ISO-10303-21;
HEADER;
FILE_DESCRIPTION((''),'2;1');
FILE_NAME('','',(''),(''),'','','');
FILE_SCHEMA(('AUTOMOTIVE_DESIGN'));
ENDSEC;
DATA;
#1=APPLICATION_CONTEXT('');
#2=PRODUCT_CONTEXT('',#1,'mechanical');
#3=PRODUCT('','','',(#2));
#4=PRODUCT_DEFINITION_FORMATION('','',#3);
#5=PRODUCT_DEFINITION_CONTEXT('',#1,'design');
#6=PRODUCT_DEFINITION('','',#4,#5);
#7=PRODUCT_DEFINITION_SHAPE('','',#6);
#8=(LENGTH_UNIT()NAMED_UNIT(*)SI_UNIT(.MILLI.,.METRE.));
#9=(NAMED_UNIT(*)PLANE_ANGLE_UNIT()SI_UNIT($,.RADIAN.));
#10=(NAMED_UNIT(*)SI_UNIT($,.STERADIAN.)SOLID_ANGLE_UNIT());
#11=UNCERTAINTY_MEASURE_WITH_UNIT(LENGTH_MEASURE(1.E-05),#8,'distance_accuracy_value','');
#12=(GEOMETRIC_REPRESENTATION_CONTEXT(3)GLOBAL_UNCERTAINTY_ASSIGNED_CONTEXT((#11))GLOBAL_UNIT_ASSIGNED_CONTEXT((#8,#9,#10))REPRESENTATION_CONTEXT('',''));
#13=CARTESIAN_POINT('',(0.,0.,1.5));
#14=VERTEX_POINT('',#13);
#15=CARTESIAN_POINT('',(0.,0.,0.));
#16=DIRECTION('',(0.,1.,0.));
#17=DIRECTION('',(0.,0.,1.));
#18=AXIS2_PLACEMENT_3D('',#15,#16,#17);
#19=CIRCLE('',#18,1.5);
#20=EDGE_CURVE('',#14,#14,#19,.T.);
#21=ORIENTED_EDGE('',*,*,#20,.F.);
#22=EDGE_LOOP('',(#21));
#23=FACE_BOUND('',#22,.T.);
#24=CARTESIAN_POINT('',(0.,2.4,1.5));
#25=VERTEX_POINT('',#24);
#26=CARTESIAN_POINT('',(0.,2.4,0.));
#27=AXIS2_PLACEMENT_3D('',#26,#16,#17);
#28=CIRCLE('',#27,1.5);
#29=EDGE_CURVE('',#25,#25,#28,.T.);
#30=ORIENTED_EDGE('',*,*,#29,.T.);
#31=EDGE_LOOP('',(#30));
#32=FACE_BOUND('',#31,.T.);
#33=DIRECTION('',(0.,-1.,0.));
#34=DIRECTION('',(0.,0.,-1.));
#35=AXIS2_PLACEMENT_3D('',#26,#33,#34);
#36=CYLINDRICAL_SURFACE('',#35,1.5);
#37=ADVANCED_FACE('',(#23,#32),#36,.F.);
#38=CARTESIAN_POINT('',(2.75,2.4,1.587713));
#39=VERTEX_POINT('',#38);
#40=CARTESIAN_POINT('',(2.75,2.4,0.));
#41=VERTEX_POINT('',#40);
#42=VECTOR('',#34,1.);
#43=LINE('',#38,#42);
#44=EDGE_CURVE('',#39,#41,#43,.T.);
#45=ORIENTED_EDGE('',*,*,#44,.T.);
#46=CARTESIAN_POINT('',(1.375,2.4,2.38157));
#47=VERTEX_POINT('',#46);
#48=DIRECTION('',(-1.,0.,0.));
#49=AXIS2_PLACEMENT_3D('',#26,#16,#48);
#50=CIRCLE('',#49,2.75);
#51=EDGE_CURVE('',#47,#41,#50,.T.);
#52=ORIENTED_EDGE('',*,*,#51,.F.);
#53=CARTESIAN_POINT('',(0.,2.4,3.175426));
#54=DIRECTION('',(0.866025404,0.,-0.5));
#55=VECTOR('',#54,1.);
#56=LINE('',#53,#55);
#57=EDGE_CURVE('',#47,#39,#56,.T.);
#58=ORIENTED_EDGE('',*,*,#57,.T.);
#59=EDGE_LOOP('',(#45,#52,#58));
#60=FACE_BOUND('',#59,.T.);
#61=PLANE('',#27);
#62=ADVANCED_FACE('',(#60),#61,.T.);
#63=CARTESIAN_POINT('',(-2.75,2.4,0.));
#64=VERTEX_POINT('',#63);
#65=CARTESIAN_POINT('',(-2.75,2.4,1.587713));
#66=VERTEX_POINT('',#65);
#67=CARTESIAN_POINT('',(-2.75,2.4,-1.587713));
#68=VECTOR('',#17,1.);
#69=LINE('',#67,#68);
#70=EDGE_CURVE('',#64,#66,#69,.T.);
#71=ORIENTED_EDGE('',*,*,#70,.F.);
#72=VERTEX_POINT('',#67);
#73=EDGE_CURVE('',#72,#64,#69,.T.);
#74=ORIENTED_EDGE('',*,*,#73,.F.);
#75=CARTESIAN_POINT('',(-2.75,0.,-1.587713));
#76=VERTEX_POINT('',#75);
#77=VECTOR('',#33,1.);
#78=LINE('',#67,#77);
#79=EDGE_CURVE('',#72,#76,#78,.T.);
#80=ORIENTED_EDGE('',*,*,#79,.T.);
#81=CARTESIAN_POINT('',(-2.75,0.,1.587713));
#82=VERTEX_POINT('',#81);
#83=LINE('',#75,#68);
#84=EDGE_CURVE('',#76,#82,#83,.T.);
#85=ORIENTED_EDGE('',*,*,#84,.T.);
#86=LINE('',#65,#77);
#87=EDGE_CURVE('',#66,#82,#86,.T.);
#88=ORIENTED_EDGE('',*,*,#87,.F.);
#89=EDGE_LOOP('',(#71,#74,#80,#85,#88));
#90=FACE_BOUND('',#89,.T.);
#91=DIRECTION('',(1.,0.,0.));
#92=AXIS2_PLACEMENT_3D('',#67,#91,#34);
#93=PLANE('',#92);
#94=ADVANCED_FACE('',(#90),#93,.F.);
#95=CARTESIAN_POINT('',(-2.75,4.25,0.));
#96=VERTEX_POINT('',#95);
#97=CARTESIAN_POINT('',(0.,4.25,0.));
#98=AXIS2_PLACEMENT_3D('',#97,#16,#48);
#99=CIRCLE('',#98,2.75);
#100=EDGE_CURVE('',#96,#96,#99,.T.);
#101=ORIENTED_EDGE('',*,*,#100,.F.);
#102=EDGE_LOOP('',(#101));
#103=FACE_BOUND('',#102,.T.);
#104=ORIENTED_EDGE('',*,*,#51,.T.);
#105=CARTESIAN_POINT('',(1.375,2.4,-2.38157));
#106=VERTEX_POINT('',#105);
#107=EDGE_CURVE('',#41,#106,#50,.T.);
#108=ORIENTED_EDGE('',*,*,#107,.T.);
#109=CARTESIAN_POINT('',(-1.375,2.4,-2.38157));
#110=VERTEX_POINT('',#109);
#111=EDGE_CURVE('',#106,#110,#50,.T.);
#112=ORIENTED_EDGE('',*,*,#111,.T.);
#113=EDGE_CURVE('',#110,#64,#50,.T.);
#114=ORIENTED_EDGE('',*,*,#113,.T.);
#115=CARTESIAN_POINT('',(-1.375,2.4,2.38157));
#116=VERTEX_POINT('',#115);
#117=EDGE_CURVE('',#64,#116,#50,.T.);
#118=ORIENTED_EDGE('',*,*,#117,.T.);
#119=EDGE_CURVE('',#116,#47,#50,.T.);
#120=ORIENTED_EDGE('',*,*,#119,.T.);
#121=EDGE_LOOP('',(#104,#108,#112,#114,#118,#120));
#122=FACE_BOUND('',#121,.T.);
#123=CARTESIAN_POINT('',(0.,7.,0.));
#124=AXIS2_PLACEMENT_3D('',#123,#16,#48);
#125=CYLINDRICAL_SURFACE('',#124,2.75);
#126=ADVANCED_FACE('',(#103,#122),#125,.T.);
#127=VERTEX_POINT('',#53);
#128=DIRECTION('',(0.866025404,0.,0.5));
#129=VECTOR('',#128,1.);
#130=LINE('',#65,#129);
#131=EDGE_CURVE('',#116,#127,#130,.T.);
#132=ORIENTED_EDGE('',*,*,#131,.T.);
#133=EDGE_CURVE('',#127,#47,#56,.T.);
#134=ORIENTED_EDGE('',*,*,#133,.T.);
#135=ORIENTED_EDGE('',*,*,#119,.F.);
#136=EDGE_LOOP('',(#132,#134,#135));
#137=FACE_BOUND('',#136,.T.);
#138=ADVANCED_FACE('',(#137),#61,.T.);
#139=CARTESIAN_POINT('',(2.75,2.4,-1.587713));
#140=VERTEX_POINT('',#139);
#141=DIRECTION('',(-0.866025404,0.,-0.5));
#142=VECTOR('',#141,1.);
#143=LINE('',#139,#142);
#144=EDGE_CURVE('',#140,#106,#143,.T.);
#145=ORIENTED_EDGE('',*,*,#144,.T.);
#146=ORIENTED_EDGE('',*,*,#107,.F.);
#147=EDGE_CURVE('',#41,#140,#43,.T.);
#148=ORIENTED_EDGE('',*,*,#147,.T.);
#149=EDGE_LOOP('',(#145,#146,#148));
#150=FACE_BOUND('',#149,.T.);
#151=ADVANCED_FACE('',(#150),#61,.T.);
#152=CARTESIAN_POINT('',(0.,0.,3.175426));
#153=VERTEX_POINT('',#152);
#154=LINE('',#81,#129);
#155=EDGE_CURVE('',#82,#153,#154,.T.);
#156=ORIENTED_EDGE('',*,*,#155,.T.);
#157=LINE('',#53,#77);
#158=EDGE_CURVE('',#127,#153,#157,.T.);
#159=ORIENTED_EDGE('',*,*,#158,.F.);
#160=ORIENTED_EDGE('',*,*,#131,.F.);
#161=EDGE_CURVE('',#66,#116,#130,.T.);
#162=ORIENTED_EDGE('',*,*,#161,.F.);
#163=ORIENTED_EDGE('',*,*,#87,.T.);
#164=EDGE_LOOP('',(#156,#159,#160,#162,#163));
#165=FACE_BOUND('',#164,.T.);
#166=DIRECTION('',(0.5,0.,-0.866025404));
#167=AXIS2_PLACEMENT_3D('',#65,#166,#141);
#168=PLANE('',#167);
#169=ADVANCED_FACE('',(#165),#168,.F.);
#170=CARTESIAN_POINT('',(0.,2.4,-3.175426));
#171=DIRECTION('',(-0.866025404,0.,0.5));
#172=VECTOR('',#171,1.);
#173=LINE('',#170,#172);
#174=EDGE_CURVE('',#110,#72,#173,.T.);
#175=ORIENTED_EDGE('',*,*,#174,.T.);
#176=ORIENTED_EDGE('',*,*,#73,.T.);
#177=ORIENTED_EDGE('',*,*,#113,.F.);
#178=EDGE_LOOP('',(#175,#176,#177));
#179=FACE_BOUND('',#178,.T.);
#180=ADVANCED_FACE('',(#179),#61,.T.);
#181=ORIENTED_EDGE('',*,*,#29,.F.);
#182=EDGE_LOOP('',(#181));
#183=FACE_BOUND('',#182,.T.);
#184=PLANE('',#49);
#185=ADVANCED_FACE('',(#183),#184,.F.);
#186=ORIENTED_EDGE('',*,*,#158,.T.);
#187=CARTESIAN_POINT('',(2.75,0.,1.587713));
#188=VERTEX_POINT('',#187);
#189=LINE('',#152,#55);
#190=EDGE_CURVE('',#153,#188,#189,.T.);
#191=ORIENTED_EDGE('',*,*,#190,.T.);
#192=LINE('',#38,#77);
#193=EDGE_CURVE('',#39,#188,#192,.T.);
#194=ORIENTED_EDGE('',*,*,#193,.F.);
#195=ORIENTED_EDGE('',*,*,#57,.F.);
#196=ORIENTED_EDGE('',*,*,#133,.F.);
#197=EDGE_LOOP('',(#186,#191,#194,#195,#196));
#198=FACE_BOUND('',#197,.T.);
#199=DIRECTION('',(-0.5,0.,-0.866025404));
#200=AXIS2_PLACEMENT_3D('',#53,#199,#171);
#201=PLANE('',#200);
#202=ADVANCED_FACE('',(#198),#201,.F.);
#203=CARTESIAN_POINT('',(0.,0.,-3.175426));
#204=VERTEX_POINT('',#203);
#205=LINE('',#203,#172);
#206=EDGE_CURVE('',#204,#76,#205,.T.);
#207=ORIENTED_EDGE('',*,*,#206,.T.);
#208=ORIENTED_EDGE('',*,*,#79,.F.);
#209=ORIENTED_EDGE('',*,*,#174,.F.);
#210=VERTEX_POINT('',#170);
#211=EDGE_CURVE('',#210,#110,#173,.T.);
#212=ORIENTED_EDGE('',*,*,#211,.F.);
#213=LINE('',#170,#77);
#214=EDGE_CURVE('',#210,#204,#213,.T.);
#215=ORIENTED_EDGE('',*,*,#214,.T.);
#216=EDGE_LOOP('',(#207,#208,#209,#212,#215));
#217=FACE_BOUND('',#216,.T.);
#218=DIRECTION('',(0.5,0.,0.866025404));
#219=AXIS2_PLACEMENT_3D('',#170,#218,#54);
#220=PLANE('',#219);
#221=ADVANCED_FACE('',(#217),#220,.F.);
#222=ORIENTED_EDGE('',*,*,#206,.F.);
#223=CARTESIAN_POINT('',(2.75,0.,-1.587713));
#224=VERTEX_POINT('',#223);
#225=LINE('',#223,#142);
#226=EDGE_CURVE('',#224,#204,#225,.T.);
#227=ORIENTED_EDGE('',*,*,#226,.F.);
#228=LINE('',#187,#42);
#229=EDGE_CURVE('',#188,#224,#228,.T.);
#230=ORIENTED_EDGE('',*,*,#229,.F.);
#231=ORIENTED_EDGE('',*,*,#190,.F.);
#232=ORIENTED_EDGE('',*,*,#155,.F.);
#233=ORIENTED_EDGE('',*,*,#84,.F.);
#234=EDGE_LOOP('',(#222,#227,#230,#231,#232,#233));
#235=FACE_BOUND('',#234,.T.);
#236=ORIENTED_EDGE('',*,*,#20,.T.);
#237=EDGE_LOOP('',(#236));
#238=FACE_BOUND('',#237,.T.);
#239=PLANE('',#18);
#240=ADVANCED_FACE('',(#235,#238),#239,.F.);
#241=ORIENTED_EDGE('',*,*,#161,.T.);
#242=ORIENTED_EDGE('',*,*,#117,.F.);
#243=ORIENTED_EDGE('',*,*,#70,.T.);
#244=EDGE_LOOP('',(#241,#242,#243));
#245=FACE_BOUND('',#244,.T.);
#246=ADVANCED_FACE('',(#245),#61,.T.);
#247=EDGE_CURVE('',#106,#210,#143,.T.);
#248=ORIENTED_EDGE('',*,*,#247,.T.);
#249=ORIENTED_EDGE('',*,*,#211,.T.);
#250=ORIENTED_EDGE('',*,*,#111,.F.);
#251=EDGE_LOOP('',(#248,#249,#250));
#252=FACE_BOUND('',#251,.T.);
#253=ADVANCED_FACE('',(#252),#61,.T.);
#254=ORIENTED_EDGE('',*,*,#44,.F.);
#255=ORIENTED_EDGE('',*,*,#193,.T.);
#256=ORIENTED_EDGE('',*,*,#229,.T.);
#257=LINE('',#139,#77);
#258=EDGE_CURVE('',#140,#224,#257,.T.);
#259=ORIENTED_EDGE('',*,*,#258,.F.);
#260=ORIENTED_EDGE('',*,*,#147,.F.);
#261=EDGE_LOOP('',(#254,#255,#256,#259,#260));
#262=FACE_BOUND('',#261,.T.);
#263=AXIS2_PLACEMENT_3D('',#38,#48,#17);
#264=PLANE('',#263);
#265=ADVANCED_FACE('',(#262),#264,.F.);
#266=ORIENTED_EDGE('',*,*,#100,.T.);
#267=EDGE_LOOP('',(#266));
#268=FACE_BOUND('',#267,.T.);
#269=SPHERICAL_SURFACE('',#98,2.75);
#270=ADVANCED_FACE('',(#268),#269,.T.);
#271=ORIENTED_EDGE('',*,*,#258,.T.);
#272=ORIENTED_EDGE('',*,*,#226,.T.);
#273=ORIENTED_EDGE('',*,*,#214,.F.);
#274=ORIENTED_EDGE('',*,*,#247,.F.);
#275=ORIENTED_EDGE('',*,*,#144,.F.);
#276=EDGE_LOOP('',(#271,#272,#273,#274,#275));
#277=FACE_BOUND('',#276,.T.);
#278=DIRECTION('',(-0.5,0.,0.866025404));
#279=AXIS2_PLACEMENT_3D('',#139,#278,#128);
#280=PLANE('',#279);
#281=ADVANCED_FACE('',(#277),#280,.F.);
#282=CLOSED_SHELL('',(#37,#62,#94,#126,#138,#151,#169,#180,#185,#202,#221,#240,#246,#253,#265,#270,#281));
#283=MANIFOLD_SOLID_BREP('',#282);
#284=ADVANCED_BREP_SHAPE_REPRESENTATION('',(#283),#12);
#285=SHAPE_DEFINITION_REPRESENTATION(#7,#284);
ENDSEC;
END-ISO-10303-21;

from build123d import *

# Parameters (mm, degrees)
SZKIC1_R                    = 1.5
DODANIE_WYCI_GNI_CIE1_DEPTH = 2.4


with BuildPart() as part:
    # Szkic1 → Dodanie-wyciągnięcie1 (new body)
    with BuildSketch(Plane(origin=(0, 0, 0), x_dir=(1, 0, 0), z_dir=(0, 1, 0))):
        Polygon((0, 3.175426481), (-2.75, 1.58771324), (-2.75, -1.58771324), (0, -3.175426481), (2.75, -1.58771324), (2.75, 1.58771324), align=None)
        with Locations(Location((0, 0, 0), (0, 0, 270))):
            Circle(SZKIC1_R, mode=Mode.SUBTRACT)
    extrude(amount=DODANIE_WYCI_GNI_CIE1_DEPTH)

    # Szkic3 → Obrót2 (revolve)
    with BuildSketch(Plane.XY, mode=Mode.PRIVATE) as obr_t2_sk:
        with BuildLine():
            Line((0, 7), (0, 2.4))
            Line((0, 2.4), (2.75, 2.4))
            Line((2.75, 2.4), (2.75, 4.25))
            ThreePointArc((2.75, 4.25), (1.944543648, 6.194543648), (0, 7))
        make_face()
    revolve(obr_t2_sk.sketch.rotate(Axis((0, 7, 0), (0, -1, 0)), 180), axis=Axis((0, 7, 0), (0, -1, 0)))


solid = part.part
